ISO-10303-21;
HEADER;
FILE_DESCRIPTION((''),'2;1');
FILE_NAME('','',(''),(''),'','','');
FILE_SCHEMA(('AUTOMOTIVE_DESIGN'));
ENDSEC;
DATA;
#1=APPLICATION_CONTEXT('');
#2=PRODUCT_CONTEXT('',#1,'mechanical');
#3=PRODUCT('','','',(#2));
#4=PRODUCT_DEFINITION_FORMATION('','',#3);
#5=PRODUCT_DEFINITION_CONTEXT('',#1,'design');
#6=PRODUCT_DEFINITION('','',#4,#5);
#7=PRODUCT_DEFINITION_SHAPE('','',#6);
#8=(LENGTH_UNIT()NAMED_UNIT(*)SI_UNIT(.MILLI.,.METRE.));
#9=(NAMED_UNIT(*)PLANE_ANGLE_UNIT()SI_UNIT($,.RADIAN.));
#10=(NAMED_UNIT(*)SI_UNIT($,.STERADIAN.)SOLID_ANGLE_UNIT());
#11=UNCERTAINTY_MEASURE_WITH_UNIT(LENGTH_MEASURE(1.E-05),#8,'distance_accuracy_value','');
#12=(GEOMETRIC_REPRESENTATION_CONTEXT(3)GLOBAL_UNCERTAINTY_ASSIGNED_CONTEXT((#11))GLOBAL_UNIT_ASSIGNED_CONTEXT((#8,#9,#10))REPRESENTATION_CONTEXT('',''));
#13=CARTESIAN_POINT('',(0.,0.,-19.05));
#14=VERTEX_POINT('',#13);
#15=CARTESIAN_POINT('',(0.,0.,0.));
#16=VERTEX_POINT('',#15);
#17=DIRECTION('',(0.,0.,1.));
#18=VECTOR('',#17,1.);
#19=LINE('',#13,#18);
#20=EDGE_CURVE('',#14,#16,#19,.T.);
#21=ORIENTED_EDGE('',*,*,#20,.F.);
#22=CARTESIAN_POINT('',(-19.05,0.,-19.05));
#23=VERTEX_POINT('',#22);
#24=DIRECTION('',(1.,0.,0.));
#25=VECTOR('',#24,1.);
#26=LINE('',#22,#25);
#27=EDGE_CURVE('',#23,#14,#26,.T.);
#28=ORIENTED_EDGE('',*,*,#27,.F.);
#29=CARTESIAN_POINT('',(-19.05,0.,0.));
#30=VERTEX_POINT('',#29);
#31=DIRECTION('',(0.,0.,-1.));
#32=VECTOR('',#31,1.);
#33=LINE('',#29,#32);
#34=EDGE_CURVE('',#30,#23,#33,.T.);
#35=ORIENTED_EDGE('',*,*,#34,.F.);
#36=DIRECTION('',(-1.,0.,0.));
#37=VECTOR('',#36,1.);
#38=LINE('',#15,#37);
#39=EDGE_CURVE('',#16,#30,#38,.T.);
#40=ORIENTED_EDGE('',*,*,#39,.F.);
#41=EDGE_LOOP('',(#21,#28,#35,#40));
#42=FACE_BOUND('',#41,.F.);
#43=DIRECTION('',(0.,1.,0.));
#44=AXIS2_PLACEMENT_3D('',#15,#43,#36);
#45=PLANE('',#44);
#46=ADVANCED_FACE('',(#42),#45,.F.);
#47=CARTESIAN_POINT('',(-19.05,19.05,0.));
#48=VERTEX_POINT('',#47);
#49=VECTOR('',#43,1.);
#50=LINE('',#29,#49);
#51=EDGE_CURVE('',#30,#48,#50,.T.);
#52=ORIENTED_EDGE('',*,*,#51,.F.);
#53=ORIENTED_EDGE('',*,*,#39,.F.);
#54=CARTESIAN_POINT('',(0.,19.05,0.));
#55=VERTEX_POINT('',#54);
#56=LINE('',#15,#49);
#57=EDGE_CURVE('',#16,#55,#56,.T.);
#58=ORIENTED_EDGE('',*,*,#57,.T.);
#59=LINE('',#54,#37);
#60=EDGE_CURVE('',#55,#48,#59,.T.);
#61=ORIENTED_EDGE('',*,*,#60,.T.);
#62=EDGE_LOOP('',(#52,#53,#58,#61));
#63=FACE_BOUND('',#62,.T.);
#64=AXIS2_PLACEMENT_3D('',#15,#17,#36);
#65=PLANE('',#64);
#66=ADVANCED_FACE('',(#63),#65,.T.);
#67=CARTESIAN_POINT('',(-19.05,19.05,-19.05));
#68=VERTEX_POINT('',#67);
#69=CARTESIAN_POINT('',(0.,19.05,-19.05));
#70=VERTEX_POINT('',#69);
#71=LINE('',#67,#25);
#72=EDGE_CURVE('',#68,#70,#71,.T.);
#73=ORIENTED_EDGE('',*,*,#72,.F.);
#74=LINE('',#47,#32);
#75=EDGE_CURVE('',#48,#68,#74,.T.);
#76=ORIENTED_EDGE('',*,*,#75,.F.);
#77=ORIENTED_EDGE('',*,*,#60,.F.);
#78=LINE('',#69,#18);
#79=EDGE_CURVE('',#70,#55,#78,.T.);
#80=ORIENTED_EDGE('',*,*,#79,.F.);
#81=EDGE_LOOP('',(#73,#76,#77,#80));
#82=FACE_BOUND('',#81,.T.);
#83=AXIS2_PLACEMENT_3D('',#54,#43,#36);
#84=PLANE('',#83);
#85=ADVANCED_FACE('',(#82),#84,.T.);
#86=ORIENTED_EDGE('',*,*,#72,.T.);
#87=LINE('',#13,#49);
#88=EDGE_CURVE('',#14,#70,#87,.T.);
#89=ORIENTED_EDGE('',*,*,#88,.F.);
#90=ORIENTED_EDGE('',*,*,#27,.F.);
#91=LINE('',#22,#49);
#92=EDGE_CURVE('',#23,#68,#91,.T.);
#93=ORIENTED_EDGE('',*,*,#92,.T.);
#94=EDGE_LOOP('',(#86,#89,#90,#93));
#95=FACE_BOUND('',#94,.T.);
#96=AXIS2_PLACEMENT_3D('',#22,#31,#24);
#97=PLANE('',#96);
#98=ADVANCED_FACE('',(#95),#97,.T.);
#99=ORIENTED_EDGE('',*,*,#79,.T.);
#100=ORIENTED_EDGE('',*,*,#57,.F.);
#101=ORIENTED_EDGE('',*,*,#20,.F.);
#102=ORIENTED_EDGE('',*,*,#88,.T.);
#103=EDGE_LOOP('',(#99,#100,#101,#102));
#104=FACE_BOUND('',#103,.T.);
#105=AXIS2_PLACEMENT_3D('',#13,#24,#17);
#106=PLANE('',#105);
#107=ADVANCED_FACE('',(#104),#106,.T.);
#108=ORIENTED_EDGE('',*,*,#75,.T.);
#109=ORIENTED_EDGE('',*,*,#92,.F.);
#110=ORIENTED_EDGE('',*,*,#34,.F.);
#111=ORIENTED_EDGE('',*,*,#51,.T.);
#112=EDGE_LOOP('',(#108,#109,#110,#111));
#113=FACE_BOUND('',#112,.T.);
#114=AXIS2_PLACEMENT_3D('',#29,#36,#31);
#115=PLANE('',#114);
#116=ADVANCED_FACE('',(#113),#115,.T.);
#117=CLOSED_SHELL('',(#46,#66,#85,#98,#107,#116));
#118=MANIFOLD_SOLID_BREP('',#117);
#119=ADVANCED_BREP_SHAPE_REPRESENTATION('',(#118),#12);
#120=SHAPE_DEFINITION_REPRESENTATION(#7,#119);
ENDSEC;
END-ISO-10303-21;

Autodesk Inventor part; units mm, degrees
ref_plane "YZ Plane" through (0, 0, 0) normal (1, 0, 0) x (0, 1, 0)
ref_plane "XZ Plane" through (0, 0, 0) normal (0, 1, 0) x (-1, 0, 0)
ref_plane "XY Plane" through (0, 0, 0) normal (0, 0, 1) x (1, 0, 0)
sketch "Sketch1" plane through (0, 0, 0) normal (0, 1, 0) x (-1, 0, 0)
  line L0 (0, 0) -> (19.05, 0)
  line L1 (19.05, 0) -> (19.05, -19.05)
  line L2 (19.05, -19.05) -> (0, -19.05)
  line L3 (0, -19.05) -> (0, 0)
  dimension "d0" = 19.05
  dimension "d1" = 19.05
extrude "Extrusion1" add sketch "Sketch1" along normal blind 19.05
properties part number "WoodenBlock"
